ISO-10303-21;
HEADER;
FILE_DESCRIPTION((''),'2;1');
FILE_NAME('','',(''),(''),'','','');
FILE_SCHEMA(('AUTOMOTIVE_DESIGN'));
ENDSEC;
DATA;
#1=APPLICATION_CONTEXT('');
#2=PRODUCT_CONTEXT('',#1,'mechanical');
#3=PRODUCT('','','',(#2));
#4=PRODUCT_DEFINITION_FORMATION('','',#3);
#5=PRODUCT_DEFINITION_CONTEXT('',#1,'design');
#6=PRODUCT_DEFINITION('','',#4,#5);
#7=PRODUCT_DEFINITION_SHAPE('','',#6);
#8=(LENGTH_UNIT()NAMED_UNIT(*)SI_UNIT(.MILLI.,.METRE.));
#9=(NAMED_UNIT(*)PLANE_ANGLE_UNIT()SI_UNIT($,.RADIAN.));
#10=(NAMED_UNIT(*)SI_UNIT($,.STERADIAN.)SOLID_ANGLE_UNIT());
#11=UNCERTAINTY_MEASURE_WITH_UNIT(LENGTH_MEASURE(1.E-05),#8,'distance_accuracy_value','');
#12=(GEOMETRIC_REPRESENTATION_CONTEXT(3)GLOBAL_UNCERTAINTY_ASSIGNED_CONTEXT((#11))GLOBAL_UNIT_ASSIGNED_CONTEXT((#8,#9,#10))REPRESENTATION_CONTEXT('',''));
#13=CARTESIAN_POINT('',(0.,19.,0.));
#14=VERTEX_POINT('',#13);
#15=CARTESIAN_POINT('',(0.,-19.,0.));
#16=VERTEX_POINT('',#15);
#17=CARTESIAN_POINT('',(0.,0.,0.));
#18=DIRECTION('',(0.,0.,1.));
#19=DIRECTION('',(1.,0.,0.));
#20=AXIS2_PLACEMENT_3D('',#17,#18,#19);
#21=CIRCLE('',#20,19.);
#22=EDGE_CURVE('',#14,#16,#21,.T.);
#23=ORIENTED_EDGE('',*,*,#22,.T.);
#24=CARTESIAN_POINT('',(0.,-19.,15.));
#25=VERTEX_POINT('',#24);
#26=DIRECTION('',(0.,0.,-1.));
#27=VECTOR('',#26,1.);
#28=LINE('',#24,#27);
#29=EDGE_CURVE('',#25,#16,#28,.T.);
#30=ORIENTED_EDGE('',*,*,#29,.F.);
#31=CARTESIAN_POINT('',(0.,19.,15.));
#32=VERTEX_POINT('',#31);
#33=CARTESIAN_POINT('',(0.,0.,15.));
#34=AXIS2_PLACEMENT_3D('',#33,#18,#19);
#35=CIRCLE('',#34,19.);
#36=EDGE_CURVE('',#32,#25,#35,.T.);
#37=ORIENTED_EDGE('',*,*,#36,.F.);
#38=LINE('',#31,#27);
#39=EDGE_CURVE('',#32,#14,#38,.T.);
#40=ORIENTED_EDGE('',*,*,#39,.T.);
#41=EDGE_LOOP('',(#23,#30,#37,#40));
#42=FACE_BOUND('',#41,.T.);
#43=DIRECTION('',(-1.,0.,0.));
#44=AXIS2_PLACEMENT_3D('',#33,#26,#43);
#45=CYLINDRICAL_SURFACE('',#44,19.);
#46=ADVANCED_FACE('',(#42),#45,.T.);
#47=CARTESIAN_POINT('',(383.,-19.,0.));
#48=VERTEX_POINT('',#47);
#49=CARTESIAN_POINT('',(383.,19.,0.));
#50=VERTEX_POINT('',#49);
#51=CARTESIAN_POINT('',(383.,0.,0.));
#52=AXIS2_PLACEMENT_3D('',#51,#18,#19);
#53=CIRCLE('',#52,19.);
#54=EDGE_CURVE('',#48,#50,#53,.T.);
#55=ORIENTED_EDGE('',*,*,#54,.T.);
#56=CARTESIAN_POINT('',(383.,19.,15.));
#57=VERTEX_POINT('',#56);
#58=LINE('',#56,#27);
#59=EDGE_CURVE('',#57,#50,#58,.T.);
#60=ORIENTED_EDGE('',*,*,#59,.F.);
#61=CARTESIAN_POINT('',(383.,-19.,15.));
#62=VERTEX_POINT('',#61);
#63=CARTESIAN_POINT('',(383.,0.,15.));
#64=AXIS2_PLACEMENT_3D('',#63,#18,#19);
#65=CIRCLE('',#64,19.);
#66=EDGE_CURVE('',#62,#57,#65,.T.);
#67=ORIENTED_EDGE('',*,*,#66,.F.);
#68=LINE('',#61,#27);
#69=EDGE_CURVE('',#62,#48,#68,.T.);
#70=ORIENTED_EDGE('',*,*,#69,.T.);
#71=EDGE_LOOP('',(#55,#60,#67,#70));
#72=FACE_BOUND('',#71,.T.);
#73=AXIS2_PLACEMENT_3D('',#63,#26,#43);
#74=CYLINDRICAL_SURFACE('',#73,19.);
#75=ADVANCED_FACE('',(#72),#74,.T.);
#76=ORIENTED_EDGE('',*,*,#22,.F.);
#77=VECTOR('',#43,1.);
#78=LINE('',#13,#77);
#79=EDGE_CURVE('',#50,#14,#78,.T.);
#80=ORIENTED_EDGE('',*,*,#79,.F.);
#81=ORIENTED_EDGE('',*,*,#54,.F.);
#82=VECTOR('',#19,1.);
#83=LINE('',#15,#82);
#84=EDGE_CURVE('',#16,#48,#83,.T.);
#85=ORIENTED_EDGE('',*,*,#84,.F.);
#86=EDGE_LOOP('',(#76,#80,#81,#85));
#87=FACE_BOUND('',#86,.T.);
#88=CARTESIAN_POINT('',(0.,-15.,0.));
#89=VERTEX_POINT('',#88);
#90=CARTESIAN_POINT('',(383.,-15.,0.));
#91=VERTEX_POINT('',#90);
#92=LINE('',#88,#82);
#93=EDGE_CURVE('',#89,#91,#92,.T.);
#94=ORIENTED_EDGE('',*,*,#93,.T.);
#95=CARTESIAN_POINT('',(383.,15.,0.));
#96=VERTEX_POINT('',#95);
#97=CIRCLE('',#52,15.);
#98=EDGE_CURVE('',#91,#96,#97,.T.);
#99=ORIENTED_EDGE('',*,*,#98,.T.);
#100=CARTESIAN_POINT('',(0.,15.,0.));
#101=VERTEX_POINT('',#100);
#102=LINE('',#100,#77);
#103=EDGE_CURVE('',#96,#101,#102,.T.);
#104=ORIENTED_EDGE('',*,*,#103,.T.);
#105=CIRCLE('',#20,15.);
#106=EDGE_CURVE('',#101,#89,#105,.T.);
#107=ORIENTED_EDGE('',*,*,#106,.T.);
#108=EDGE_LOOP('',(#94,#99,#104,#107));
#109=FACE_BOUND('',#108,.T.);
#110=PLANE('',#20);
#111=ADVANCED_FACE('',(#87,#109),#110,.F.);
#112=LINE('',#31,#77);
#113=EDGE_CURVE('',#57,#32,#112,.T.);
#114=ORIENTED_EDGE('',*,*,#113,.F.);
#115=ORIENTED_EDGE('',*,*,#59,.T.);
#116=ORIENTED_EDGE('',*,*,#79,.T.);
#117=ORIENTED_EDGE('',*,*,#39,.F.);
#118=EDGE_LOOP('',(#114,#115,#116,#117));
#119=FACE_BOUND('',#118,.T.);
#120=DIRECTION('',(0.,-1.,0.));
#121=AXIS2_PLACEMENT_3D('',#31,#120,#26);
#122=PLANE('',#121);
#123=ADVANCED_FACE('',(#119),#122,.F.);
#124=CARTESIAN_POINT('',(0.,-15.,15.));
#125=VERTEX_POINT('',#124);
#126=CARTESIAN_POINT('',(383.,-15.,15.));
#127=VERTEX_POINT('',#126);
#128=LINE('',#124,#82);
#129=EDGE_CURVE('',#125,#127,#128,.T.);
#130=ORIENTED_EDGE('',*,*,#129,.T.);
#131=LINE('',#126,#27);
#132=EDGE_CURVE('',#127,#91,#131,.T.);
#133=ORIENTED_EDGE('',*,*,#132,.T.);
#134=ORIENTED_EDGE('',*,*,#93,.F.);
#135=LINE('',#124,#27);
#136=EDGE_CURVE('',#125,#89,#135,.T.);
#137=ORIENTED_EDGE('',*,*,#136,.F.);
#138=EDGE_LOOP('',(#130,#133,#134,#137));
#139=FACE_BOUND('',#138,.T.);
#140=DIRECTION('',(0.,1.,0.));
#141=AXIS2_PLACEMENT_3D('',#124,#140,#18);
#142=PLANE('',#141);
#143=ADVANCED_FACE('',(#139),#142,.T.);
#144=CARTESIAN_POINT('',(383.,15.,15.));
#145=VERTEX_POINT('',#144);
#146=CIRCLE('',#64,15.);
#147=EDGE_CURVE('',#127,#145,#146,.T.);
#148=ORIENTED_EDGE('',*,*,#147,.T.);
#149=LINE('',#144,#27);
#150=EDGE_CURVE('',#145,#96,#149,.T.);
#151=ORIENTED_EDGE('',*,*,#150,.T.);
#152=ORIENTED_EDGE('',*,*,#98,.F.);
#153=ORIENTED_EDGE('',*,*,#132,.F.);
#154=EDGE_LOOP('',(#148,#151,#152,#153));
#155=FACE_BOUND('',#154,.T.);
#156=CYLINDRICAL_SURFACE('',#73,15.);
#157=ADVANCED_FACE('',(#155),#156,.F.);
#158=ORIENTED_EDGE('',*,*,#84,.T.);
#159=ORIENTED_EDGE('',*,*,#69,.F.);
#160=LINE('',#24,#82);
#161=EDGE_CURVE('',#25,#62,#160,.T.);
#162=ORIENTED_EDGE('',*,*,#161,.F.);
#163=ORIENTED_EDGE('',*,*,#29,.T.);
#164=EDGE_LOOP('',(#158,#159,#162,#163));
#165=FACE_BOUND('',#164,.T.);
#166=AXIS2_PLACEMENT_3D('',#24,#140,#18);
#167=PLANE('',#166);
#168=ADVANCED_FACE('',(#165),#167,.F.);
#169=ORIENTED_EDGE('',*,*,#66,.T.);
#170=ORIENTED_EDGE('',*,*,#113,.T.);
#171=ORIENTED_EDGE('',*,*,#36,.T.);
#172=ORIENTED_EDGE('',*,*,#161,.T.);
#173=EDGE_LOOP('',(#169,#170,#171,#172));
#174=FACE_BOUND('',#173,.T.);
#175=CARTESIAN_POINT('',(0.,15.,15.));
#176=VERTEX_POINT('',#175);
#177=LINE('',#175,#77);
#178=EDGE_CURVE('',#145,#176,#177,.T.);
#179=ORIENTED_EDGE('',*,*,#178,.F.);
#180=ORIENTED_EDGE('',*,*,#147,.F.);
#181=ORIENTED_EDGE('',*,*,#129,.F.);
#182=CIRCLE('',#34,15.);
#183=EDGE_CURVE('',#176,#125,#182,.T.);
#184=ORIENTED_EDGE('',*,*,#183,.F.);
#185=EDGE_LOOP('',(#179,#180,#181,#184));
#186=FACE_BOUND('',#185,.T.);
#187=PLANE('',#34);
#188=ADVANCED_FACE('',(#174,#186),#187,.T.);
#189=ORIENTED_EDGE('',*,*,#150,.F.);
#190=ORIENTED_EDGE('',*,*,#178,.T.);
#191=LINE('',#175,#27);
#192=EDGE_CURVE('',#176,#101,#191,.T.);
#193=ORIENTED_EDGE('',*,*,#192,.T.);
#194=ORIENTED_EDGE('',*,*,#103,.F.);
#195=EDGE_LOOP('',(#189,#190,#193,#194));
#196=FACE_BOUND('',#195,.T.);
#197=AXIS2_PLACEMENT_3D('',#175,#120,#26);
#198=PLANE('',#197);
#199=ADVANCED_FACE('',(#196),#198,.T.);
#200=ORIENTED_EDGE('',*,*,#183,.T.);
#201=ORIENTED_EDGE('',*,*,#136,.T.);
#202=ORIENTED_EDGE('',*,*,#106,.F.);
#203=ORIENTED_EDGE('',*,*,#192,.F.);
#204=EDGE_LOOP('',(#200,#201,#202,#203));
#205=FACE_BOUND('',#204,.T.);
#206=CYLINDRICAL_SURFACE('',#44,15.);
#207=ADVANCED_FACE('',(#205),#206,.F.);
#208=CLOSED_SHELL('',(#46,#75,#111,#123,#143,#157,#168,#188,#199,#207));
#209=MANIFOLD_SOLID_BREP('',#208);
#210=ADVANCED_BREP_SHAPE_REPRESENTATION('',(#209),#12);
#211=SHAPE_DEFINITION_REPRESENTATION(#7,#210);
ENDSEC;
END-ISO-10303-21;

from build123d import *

# Parameters (mm, degrees)
EXTRUDE_1_DEPTH = 15


with BuildPart() as part:
    # 草图1 → 凸台-拉伸1 (new body)
    with BuildSketch(Plane.XY):
        with BuildLine():
            Line((0, 19), (383, 19))
            ThreePointArc((383, 19), (402, 0), (383, -19))
            Line((383, -19), (0, -19))
            ThreePointArc((0, -19), (-19, 0), (0, 19))
        make_face()
        with BuildLine():
            Line((0, 15), (383, 15))
            ThreePointArc((383, 15), (398, 0), (383, -15))
            Line((383, -15), (0, -15))
            ThreePointArc((0, -15), (-15, 0), (0, 15))
        make_face(mode=Mode.SUBTRACT)
    extrude(amount=EXTRUDE_1_DEPTH)


solid = part.part
